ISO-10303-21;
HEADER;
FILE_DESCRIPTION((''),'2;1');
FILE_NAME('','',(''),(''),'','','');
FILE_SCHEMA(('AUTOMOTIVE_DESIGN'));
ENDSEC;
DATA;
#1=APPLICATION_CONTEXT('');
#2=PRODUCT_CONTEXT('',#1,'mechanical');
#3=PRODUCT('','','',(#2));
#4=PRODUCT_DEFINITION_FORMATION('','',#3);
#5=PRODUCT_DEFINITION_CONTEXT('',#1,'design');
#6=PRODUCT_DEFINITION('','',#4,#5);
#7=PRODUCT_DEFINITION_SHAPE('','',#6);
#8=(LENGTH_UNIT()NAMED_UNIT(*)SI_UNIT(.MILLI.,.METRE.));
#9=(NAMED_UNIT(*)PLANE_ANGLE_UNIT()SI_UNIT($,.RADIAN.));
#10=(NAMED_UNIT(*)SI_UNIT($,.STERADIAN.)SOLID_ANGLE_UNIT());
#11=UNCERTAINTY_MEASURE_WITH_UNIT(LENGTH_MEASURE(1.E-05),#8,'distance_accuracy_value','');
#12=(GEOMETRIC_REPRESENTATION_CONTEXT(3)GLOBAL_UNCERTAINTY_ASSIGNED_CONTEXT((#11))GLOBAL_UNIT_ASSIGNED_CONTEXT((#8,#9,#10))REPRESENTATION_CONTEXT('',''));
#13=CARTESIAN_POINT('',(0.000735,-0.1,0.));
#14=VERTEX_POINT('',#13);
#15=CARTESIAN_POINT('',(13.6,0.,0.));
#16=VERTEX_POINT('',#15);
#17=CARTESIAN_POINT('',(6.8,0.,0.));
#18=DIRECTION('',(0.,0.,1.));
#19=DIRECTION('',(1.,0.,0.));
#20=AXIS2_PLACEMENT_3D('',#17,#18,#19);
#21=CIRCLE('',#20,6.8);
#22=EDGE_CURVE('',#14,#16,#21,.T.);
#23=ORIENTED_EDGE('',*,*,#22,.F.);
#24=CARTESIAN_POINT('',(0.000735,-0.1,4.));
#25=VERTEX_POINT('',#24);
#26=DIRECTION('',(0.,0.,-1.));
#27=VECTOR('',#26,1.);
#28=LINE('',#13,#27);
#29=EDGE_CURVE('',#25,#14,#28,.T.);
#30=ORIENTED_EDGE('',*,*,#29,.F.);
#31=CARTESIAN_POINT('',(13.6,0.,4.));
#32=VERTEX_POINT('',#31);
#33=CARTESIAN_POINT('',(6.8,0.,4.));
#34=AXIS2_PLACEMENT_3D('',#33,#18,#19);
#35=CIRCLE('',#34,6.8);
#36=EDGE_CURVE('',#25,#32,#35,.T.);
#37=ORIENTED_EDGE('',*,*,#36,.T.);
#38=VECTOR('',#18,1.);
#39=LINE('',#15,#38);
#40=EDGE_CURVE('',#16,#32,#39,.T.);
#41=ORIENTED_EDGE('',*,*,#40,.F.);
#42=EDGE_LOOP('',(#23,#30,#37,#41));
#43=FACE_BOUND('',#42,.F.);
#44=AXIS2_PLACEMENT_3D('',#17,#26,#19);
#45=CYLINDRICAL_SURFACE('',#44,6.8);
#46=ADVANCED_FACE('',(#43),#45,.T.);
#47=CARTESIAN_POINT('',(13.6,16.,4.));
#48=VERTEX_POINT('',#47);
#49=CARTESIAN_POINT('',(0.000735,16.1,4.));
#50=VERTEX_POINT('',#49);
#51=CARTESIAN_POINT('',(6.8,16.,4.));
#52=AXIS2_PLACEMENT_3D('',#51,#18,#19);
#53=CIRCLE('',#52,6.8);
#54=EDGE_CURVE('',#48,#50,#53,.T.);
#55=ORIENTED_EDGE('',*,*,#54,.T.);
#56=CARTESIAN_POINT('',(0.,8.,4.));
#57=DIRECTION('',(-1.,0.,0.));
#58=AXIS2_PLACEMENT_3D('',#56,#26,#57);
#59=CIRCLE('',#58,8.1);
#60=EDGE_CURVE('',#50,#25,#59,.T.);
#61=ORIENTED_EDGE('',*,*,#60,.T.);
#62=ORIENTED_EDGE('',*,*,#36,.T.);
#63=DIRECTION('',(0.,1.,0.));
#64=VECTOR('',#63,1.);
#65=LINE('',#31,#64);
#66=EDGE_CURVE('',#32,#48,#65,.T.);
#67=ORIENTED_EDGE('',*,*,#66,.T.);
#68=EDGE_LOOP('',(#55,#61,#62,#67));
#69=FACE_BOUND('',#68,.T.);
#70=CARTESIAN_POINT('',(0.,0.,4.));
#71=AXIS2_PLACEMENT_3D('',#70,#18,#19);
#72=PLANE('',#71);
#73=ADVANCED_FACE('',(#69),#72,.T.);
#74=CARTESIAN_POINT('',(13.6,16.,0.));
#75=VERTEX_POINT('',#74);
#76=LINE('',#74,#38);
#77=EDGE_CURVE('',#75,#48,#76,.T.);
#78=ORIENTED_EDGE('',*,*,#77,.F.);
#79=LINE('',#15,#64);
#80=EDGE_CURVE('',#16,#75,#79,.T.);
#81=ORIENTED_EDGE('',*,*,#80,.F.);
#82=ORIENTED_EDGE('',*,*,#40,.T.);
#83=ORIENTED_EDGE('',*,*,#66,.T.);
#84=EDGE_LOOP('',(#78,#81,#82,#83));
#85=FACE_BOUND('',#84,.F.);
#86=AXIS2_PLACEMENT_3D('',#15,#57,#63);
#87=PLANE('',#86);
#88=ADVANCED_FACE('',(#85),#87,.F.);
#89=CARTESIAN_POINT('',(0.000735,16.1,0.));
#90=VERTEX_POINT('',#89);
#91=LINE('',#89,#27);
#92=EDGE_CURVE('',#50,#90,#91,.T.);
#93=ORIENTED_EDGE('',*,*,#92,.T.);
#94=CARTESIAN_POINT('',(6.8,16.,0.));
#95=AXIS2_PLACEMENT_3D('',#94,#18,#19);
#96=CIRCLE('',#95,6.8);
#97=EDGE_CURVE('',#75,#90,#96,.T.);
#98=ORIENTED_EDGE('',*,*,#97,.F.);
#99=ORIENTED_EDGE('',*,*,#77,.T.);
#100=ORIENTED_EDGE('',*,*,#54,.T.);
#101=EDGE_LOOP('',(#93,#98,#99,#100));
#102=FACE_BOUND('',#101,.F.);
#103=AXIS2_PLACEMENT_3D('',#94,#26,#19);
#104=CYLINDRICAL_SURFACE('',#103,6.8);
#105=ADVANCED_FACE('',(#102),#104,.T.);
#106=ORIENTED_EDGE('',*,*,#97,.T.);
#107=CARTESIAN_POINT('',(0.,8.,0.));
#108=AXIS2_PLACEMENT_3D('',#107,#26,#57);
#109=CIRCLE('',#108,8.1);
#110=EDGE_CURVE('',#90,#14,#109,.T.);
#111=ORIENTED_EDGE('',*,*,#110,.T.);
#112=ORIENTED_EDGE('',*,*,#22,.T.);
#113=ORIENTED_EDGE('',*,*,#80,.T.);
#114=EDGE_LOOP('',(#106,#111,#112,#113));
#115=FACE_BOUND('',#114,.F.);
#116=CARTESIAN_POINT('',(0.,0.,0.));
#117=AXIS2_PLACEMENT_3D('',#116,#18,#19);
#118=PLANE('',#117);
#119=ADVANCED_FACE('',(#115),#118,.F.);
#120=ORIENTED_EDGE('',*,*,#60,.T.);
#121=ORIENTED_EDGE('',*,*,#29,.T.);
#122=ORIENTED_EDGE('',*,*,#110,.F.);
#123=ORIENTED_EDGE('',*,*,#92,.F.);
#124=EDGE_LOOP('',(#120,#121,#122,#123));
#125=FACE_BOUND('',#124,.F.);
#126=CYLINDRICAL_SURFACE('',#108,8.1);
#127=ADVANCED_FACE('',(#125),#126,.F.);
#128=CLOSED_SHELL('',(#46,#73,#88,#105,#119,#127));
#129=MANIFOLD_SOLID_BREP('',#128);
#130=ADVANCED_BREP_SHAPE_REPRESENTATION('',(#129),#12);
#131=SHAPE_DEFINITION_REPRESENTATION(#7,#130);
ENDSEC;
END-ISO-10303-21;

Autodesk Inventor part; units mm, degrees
ref_plane "YZ Plane" through (0, 0, 0) normal (1, 0, 0) x (0, 1, 0)
ref_plane "XZ Plane" through (0, 0, 0) normal (0, 1, 0) x (-1, 0, 0)
ref_plane "XY Plane" through (0, 0, 0) normal (0, 0, 1) x (1, 0, 0)
sketch "Sketch1" plane through (0, 0, 0) normal (0, 0, 1) x (1, 0, 0)
  line L0 (0, 0) -> (13.6, 0)
  line L1 (13.6, 0) -> (13.6, 16)
  line L2 (13.6, 16) -> (0, 16)
  line L3 (0, 16) -> (0, 0)
  circle A0 centre (6.8, 16) radius 6.8
  circle A1 centre (6.8, 0) radius 6.8
  dimension "d0" = 16
  dimension "d1" = 13.6
extrude "Extrusion1" add sketch "Sketch1" along normal blind 4
sketch "Sketch2" plane through (0, 0, 0) normal (0, 0, -1) x (-1, 0, 0)
  line L0 (0, 16) -> (0, 0) projected
  circle A0 centre (0, 8) radius 8.1
  dimension "d5" = 16.2
extrude "Extrusion2" cut sketch "Sketch2" along normal through all both and the other way through all
equation "\"RodDiameter\" = 8"
equation "\"VerticalBearingOD\" = 16"
equation "\"PrintingClearance\" = 0.2"
equation "\"TubeID\" = 18"
equation "\"XLinearBearingOD\" = 19"
properties part number "ExtruderLock"
